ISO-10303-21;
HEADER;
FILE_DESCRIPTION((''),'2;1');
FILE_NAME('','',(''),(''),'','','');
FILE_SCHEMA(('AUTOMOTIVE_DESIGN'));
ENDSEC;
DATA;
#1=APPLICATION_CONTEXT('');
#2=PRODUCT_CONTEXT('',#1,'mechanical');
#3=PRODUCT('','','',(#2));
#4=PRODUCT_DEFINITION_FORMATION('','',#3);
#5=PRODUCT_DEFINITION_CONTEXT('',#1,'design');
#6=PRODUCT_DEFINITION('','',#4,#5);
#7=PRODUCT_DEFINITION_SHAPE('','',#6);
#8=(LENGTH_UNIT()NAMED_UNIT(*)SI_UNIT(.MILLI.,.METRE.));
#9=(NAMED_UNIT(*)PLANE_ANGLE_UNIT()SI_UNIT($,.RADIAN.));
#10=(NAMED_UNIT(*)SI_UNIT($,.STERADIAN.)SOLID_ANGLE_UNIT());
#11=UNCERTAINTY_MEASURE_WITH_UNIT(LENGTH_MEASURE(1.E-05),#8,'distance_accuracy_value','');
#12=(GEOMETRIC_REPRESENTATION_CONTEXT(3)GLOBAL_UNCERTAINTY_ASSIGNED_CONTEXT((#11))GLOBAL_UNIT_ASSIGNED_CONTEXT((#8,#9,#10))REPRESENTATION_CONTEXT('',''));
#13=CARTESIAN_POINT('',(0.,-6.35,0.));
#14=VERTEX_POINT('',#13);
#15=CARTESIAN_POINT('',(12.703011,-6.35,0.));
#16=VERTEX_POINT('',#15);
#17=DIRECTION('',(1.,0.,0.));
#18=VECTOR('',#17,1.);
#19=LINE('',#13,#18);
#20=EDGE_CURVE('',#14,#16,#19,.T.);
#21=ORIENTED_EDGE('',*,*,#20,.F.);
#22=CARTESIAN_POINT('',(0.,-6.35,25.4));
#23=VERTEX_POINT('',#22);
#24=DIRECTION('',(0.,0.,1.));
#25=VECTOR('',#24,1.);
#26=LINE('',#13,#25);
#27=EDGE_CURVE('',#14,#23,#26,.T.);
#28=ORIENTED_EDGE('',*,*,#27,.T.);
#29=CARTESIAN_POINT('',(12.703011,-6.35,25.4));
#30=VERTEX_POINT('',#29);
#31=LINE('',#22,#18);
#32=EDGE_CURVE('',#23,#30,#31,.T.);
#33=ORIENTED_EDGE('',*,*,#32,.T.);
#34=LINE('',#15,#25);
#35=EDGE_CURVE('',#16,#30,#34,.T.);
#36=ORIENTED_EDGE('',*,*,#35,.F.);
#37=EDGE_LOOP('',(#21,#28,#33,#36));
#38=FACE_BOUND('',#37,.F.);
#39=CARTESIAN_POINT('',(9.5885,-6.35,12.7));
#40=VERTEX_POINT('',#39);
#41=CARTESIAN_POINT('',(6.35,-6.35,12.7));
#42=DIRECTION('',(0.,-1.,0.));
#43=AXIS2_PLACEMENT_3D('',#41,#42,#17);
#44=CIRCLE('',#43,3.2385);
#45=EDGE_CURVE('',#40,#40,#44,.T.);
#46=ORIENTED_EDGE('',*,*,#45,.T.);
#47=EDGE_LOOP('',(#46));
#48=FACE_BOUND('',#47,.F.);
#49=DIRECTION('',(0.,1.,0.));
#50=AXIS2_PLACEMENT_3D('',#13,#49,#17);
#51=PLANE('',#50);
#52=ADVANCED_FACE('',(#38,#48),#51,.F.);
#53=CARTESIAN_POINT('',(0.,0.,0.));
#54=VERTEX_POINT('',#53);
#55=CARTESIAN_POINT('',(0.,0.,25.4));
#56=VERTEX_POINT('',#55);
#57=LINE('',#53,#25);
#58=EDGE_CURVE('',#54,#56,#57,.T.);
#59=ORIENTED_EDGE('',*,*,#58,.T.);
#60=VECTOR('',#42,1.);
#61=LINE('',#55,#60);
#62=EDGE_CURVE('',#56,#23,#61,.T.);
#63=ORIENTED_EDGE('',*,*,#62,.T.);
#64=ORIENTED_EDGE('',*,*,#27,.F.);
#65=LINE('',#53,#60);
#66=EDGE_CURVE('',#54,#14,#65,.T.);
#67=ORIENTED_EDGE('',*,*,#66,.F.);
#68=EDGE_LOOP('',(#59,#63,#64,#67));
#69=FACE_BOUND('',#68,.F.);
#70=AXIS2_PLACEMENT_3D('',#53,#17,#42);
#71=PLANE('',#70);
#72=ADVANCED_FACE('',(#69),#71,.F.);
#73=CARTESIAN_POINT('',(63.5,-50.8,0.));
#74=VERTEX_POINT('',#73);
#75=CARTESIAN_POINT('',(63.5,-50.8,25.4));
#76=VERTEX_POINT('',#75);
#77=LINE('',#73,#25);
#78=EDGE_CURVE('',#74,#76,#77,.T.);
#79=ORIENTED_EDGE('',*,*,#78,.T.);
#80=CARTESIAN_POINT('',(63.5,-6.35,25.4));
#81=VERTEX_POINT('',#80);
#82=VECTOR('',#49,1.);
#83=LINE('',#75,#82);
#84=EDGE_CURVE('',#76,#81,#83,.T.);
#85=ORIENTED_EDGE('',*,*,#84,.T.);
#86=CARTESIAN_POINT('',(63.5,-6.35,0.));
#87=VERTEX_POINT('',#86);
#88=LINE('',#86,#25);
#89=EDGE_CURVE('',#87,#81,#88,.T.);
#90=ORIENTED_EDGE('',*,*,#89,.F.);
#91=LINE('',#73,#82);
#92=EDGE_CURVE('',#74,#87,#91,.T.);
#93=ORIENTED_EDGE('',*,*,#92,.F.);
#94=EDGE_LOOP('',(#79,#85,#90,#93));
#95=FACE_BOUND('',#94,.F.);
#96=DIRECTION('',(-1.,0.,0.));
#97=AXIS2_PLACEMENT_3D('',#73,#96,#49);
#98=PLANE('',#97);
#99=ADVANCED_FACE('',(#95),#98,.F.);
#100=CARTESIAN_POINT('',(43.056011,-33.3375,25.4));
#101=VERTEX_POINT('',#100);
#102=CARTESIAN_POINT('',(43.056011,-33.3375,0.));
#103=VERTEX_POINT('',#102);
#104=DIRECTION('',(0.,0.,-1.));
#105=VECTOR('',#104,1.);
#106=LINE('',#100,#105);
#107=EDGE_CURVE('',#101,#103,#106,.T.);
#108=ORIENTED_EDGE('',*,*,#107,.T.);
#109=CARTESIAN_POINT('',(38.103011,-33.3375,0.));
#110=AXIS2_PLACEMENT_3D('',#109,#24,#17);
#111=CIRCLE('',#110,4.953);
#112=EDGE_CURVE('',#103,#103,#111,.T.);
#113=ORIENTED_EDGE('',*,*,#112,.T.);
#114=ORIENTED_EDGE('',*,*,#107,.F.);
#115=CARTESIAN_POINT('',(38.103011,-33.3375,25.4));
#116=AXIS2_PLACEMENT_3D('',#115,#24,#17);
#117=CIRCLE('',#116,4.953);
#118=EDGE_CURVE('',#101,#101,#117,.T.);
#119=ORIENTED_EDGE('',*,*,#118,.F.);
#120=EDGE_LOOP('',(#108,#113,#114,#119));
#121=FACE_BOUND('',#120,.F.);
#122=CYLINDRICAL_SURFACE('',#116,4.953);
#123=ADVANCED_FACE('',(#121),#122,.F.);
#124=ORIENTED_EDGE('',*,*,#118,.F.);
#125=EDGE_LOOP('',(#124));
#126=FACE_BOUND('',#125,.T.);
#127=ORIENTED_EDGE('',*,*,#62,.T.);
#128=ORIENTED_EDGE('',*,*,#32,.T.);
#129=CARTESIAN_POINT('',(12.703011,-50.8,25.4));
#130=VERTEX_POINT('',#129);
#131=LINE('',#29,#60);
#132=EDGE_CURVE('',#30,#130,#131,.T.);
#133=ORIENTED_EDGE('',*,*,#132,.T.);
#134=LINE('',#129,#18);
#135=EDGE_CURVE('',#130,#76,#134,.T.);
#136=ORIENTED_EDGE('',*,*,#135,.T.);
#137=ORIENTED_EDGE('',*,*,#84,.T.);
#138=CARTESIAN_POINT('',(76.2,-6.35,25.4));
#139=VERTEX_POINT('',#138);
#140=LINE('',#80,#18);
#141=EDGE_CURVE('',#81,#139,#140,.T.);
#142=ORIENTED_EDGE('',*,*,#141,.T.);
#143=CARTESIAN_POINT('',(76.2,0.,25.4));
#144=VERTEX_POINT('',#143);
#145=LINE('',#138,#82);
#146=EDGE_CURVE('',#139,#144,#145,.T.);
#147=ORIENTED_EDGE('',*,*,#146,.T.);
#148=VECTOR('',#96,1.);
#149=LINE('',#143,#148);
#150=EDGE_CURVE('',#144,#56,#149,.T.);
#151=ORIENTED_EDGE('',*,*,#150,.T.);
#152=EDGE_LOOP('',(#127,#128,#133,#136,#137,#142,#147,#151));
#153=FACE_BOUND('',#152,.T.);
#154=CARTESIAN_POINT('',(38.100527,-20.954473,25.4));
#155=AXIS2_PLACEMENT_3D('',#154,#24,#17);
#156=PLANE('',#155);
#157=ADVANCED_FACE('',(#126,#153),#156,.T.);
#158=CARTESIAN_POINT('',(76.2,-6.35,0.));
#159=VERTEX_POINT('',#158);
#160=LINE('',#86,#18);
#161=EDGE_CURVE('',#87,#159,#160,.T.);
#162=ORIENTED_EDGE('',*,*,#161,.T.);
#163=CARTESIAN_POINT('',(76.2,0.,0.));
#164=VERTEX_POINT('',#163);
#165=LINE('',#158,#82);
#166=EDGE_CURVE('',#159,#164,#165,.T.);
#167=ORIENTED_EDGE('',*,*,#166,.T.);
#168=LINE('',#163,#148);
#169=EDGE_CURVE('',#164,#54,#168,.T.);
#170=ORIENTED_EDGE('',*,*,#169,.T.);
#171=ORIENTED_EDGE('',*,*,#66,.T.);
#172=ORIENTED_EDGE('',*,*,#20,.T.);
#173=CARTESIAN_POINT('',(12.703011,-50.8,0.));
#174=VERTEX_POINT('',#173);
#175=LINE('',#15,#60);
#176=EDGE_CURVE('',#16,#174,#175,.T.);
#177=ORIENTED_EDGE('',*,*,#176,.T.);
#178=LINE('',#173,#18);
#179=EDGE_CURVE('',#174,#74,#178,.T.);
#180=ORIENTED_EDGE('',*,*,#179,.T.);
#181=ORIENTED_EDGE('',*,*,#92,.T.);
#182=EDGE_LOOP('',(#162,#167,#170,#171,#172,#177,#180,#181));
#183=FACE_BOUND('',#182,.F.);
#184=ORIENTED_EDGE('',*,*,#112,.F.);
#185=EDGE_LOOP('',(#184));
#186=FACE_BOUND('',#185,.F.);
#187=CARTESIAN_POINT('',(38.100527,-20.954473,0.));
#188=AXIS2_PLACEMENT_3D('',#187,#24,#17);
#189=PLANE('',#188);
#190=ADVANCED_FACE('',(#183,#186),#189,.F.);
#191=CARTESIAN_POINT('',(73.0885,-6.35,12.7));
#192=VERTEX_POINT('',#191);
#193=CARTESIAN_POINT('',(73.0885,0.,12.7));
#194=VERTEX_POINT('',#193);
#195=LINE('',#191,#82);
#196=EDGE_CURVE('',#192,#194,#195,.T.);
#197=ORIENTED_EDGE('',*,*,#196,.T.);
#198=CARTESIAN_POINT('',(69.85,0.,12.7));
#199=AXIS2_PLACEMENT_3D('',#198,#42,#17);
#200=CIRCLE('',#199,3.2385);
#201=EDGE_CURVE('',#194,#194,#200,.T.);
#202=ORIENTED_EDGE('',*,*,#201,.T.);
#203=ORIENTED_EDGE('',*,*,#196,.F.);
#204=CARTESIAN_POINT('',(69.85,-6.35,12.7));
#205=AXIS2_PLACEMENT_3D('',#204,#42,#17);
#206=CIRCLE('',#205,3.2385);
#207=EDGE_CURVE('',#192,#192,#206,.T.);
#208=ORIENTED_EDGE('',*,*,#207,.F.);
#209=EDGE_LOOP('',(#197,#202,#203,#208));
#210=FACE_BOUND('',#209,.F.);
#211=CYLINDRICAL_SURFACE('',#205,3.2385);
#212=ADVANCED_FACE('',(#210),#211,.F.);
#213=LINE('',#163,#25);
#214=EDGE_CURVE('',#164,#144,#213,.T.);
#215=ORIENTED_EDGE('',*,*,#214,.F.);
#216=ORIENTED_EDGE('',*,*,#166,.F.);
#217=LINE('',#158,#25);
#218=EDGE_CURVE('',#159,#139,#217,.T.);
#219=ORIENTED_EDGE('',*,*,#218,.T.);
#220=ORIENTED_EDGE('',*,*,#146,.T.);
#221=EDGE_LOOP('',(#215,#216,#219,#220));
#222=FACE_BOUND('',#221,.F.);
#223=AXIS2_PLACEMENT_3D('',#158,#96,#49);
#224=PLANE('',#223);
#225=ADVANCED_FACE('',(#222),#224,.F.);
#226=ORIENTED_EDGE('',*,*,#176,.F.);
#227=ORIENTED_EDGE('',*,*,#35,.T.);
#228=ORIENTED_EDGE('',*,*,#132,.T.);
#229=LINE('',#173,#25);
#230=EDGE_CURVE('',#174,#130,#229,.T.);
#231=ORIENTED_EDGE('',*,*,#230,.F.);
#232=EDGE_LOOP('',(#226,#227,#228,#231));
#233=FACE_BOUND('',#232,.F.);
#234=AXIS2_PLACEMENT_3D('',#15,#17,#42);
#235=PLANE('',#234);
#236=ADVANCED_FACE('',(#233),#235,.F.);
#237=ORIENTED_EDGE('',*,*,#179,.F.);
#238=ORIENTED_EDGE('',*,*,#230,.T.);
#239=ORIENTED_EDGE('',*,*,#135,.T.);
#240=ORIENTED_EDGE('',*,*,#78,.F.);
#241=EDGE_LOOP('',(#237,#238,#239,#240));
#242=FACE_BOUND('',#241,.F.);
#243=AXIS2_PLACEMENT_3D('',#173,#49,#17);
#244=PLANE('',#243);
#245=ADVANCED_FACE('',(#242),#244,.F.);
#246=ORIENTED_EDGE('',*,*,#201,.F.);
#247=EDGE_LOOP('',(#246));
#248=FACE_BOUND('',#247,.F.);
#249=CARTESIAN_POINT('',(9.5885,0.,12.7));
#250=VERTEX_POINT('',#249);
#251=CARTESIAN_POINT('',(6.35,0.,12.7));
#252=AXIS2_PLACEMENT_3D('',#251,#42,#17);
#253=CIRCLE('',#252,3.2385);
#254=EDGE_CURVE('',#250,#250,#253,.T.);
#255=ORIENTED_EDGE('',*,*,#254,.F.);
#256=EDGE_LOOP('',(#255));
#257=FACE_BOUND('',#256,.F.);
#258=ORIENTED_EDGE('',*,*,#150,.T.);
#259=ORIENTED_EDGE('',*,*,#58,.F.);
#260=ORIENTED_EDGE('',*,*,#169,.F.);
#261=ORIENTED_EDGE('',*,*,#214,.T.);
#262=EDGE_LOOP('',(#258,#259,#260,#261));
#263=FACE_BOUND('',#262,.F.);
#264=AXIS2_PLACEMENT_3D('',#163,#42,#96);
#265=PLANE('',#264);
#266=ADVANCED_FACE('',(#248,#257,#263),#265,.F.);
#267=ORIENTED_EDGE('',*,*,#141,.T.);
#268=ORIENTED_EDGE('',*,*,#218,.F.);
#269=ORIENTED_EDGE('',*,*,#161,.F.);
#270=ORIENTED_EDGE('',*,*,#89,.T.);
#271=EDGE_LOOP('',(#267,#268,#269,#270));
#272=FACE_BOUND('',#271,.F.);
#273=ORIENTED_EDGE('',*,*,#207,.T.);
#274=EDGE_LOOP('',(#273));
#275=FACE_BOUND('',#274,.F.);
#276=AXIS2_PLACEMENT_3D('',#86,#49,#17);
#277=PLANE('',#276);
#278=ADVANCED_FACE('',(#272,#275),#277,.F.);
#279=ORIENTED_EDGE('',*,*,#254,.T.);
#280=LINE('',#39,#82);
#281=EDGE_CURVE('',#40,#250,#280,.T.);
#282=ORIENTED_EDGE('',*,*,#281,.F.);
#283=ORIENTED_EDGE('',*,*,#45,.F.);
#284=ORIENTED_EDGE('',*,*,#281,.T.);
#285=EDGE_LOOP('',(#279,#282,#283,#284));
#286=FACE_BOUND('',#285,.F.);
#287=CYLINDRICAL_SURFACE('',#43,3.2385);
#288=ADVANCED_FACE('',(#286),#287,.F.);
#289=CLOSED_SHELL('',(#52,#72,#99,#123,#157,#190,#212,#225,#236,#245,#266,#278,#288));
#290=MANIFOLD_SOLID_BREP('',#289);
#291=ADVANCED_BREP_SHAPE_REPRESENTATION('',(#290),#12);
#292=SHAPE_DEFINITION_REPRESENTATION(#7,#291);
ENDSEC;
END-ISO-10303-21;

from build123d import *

# Parameters (mm, degrees)
F1_DEPTH = 25.4
F4_R     = 3.2385
F5_DEPTH = 25.4
F3_R     = 3.2385
F6_DEPTH = 25.4
F7_R     = 4.953
F8_DEPTH = 25.4


with BuildPart() as f1:
    # F0 (on Top) → F1 (new body)
    with BuildSketch(Plane.XY):
        Polygon((76.2, 0), (0, 0), (0, -6.35), (12.703011, -6.35), (12.703011, -50.8), (63.5, -50.8), (63.5, -6.35), (76.2, -6.35), align=None)
    extrude(amount=F1_DEPTH)

    # F4 (on face) → F5 (cut)
    with BuildSketch(Plane.XZ.offset(6.35)):
        with Locations((6.35, 12.7)):
            Circle(F4_R)
    extrude(amount=-F5_DEPTH, mode=Mode.SUBTRACT)

    # F3 (on face) → F6 (cut)
    with BuildSketch(Plane.XZ.offset(6.35)):
        with Locations((69.85, 12.7)):
            Circle(F3_R)
    extrude(amount=-F6_DEPTH, mode=Mode.SUBTRACT)

    # F7 (on face) → F8 (cut)
    with BuildSketch(Plane.XY.offset(25.4)):
        with Locations((38.103011, -33.3375)):
            Circle(F7_R)
    extrude(amount=-F8_DEPTH, mode=Mode.SUBTRACT)


solid = f1.part
